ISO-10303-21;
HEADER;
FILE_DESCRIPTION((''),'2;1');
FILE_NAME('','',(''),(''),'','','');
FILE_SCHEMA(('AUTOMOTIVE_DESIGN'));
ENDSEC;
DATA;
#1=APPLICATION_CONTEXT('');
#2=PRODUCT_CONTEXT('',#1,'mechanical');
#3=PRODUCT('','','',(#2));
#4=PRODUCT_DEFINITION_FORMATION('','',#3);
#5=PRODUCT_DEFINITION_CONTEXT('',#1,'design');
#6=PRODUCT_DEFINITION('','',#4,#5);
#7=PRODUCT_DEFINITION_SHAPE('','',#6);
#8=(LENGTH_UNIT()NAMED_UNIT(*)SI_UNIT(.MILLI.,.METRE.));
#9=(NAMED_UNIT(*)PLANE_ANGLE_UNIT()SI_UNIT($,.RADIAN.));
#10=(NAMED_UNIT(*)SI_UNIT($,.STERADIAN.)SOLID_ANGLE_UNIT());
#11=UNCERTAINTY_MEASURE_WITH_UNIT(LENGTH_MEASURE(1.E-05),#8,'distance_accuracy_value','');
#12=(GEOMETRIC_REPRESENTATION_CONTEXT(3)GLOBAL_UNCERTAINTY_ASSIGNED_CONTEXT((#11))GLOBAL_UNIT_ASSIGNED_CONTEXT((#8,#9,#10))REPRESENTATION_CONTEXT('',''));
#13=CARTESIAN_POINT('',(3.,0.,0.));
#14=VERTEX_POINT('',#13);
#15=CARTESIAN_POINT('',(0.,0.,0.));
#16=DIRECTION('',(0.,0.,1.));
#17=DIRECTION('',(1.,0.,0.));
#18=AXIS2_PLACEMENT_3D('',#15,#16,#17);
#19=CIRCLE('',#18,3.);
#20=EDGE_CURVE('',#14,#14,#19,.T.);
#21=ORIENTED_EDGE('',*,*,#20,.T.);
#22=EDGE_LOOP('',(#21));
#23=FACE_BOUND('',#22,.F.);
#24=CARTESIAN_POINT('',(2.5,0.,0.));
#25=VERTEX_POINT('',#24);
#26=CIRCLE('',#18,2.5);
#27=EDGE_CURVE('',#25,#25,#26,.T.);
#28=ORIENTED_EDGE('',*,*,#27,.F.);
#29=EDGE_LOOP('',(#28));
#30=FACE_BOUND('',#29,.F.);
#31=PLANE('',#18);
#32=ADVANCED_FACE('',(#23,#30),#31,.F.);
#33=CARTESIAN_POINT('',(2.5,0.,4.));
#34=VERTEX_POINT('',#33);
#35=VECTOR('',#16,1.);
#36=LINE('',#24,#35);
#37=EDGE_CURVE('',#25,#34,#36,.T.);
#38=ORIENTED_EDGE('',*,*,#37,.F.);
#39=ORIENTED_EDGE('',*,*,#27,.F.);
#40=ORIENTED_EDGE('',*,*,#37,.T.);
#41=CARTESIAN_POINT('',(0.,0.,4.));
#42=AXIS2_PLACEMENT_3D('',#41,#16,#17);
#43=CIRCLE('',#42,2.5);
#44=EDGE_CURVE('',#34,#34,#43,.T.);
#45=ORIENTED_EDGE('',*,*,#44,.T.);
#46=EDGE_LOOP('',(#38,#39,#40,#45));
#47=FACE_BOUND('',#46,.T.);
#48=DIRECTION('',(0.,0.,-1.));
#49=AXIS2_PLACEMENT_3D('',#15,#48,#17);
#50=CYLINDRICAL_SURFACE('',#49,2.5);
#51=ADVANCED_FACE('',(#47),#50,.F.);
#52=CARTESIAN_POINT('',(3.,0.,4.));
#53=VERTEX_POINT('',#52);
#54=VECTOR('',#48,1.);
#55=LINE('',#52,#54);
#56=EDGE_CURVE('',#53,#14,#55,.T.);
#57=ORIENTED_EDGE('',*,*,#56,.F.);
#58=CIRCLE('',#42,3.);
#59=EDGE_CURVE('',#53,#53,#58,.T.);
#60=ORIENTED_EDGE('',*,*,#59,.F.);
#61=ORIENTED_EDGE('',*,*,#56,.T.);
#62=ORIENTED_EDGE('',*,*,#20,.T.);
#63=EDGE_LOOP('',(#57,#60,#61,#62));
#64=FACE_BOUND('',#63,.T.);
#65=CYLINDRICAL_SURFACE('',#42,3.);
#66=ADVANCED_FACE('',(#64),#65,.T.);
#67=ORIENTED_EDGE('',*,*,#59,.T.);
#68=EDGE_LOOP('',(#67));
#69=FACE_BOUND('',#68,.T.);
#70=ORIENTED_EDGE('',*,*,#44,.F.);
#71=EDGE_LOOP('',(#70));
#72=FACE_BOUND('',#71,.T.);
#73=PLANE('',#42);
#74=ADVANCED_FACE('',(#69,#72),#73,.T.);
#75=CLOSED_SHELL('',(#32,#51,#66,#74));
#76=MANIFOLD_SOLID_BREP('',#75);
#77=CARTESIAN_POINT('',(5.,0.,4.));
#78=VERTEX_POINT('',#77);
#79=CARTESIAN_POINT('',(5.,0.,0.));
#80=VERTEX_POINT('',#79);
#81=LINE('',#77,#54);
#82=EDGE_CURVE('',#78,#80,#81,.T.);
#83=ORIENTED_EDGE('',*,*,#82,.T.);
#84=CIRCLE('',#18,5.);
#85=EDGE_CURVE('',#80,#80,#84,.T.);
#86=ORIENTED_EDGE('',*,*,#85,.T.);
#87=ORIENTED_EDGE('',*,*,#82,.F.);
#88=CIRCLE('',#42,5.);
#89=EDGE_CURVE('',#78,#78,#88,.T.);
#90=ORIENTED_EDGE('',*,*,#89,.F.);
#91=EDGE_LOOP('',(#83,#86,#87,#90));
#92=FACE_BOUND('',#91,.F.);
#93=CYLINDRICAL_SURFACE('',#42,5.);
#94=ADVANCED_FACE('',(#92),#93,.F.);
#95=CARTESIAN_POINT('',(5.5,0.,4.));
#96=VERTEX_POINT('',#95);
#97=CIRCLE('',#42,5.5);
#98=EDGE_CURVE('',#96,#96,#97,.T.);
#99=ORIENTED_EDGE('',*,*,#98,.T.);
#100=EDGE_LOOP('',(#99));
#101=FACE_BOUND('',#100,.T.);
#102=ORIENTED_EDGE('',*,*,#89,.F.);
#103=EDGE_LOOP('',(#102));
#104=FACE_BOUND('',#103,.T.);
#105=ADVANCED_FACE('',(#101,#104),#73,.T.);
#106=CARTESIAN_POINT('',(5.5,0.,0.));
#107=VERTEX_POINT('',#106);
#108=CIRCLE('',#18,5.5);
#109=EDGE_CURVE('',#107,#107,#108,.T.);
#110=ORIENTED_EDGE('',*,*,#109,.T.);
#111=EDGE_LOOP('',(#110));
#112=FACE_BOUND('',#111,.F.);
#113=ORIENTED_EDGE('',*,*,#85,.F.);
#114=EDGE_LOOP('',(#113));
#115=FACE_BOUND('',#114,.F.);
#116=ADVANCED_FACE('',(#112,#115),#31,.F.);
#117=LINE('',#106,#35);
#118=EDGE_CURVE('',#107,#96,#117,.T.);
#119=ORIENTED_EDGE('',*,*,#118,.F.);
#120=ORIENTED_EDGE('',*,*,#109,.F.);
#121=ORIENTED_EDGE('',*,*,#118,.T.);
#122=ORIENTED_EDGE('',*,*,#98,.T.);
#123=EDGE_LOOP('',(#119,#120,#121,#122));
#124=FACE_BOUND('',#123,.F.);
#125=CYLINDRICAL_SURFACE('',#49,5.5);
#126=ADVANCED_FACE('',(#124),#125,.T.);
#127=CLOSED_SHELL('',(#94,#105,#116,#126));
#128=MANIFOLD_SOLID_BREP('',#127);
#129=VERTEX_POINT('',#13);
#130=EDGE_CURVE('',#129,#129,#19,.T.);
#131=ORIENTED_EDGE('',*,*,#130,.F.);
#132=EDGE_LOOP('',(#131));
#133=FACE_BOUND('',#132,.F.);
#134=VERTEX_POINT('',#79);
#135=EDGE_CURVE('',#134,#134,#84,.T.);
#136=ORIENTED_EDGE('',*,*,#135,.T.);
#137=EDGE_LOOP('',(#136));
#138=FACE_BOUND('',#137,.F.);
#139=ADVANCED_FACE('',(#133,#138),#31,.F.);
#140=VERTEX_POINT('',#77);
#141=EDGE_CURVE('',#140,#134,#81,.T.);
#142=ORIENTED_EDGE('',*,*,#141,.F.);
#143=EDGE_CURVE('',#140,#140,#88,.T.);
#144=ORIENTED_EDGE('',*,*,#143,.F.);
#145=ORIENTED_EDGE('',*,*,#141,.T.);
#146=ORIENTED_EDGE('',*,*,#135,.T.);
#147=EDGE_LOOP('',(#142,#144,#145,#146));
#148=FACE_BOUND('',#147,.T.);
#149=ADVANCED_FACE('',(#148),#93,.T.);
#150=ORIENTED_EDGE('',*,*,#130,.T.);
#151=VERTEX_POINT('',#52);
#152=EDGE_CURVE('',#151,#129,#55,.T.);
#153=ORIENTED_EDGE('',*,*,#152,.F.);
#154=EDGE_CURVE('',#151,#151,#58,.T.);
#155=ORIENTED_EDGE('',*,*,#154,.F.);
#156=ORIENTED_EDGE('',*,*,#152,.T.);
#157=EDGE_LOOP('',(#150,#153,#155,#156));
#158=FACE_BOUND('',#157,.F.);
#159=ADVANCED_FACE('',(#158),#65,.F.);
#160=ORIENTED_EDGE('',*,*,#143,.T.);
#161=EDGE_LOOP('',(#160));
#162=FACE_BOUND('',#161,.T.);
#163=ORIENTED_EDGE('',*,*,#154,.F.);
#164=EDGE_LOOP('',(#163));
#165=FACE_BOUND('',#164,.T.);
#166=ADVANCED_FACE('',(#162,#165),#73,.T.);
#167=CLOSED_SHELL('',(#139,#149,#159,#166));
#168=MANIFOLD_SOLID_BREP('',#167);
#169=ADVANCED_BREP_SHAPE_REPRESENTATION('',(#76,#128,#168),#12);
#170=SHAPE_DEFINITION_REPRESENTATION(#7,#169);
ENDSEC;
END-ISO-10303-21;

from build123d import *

# Parameters (mm, degrees)
F0_R     = 5.5
F0_R_2   = 2.5
F1_DEPTH = 4
F2_R     = 5
F2_R_2   = 3
F3_DEPTH = 4.001
F4_R     = 5
F4_R_2   = 3
F5_DEPTH = 4


with BuildPart() as f1:
    # F0 (on Top) → F1 (new body)
    with BuildSketch(Plane.XY):
        Circle(F0_R)
        Circle(F0_R_2, mode=Mode.SUBTRACT)
    extrude(amount=F1_DEPTH)

    # F2 (on face) → F3 (cut, through all)
    with BuildSketch(Plane.XY.offset(4)):
        Circle(F2_R)
        Circle(F2_R_2, mode=Mode.SUBTRACT)
    extrude(amount=-F3_DEPTH, mode=Mode.SUBTRACT)


with BuildPart() as f5:
    # F4 (on face) → F5 (new body)
    with BuildSketch(Plane.XY.offset(4)):
        Circle(F4_R)
        Circle(F4_R_2, mode=Mode.SUBTRACT)
    extrude(amount=-F5_DEPTH)


solid = Compound([f1.part, f5.part])
